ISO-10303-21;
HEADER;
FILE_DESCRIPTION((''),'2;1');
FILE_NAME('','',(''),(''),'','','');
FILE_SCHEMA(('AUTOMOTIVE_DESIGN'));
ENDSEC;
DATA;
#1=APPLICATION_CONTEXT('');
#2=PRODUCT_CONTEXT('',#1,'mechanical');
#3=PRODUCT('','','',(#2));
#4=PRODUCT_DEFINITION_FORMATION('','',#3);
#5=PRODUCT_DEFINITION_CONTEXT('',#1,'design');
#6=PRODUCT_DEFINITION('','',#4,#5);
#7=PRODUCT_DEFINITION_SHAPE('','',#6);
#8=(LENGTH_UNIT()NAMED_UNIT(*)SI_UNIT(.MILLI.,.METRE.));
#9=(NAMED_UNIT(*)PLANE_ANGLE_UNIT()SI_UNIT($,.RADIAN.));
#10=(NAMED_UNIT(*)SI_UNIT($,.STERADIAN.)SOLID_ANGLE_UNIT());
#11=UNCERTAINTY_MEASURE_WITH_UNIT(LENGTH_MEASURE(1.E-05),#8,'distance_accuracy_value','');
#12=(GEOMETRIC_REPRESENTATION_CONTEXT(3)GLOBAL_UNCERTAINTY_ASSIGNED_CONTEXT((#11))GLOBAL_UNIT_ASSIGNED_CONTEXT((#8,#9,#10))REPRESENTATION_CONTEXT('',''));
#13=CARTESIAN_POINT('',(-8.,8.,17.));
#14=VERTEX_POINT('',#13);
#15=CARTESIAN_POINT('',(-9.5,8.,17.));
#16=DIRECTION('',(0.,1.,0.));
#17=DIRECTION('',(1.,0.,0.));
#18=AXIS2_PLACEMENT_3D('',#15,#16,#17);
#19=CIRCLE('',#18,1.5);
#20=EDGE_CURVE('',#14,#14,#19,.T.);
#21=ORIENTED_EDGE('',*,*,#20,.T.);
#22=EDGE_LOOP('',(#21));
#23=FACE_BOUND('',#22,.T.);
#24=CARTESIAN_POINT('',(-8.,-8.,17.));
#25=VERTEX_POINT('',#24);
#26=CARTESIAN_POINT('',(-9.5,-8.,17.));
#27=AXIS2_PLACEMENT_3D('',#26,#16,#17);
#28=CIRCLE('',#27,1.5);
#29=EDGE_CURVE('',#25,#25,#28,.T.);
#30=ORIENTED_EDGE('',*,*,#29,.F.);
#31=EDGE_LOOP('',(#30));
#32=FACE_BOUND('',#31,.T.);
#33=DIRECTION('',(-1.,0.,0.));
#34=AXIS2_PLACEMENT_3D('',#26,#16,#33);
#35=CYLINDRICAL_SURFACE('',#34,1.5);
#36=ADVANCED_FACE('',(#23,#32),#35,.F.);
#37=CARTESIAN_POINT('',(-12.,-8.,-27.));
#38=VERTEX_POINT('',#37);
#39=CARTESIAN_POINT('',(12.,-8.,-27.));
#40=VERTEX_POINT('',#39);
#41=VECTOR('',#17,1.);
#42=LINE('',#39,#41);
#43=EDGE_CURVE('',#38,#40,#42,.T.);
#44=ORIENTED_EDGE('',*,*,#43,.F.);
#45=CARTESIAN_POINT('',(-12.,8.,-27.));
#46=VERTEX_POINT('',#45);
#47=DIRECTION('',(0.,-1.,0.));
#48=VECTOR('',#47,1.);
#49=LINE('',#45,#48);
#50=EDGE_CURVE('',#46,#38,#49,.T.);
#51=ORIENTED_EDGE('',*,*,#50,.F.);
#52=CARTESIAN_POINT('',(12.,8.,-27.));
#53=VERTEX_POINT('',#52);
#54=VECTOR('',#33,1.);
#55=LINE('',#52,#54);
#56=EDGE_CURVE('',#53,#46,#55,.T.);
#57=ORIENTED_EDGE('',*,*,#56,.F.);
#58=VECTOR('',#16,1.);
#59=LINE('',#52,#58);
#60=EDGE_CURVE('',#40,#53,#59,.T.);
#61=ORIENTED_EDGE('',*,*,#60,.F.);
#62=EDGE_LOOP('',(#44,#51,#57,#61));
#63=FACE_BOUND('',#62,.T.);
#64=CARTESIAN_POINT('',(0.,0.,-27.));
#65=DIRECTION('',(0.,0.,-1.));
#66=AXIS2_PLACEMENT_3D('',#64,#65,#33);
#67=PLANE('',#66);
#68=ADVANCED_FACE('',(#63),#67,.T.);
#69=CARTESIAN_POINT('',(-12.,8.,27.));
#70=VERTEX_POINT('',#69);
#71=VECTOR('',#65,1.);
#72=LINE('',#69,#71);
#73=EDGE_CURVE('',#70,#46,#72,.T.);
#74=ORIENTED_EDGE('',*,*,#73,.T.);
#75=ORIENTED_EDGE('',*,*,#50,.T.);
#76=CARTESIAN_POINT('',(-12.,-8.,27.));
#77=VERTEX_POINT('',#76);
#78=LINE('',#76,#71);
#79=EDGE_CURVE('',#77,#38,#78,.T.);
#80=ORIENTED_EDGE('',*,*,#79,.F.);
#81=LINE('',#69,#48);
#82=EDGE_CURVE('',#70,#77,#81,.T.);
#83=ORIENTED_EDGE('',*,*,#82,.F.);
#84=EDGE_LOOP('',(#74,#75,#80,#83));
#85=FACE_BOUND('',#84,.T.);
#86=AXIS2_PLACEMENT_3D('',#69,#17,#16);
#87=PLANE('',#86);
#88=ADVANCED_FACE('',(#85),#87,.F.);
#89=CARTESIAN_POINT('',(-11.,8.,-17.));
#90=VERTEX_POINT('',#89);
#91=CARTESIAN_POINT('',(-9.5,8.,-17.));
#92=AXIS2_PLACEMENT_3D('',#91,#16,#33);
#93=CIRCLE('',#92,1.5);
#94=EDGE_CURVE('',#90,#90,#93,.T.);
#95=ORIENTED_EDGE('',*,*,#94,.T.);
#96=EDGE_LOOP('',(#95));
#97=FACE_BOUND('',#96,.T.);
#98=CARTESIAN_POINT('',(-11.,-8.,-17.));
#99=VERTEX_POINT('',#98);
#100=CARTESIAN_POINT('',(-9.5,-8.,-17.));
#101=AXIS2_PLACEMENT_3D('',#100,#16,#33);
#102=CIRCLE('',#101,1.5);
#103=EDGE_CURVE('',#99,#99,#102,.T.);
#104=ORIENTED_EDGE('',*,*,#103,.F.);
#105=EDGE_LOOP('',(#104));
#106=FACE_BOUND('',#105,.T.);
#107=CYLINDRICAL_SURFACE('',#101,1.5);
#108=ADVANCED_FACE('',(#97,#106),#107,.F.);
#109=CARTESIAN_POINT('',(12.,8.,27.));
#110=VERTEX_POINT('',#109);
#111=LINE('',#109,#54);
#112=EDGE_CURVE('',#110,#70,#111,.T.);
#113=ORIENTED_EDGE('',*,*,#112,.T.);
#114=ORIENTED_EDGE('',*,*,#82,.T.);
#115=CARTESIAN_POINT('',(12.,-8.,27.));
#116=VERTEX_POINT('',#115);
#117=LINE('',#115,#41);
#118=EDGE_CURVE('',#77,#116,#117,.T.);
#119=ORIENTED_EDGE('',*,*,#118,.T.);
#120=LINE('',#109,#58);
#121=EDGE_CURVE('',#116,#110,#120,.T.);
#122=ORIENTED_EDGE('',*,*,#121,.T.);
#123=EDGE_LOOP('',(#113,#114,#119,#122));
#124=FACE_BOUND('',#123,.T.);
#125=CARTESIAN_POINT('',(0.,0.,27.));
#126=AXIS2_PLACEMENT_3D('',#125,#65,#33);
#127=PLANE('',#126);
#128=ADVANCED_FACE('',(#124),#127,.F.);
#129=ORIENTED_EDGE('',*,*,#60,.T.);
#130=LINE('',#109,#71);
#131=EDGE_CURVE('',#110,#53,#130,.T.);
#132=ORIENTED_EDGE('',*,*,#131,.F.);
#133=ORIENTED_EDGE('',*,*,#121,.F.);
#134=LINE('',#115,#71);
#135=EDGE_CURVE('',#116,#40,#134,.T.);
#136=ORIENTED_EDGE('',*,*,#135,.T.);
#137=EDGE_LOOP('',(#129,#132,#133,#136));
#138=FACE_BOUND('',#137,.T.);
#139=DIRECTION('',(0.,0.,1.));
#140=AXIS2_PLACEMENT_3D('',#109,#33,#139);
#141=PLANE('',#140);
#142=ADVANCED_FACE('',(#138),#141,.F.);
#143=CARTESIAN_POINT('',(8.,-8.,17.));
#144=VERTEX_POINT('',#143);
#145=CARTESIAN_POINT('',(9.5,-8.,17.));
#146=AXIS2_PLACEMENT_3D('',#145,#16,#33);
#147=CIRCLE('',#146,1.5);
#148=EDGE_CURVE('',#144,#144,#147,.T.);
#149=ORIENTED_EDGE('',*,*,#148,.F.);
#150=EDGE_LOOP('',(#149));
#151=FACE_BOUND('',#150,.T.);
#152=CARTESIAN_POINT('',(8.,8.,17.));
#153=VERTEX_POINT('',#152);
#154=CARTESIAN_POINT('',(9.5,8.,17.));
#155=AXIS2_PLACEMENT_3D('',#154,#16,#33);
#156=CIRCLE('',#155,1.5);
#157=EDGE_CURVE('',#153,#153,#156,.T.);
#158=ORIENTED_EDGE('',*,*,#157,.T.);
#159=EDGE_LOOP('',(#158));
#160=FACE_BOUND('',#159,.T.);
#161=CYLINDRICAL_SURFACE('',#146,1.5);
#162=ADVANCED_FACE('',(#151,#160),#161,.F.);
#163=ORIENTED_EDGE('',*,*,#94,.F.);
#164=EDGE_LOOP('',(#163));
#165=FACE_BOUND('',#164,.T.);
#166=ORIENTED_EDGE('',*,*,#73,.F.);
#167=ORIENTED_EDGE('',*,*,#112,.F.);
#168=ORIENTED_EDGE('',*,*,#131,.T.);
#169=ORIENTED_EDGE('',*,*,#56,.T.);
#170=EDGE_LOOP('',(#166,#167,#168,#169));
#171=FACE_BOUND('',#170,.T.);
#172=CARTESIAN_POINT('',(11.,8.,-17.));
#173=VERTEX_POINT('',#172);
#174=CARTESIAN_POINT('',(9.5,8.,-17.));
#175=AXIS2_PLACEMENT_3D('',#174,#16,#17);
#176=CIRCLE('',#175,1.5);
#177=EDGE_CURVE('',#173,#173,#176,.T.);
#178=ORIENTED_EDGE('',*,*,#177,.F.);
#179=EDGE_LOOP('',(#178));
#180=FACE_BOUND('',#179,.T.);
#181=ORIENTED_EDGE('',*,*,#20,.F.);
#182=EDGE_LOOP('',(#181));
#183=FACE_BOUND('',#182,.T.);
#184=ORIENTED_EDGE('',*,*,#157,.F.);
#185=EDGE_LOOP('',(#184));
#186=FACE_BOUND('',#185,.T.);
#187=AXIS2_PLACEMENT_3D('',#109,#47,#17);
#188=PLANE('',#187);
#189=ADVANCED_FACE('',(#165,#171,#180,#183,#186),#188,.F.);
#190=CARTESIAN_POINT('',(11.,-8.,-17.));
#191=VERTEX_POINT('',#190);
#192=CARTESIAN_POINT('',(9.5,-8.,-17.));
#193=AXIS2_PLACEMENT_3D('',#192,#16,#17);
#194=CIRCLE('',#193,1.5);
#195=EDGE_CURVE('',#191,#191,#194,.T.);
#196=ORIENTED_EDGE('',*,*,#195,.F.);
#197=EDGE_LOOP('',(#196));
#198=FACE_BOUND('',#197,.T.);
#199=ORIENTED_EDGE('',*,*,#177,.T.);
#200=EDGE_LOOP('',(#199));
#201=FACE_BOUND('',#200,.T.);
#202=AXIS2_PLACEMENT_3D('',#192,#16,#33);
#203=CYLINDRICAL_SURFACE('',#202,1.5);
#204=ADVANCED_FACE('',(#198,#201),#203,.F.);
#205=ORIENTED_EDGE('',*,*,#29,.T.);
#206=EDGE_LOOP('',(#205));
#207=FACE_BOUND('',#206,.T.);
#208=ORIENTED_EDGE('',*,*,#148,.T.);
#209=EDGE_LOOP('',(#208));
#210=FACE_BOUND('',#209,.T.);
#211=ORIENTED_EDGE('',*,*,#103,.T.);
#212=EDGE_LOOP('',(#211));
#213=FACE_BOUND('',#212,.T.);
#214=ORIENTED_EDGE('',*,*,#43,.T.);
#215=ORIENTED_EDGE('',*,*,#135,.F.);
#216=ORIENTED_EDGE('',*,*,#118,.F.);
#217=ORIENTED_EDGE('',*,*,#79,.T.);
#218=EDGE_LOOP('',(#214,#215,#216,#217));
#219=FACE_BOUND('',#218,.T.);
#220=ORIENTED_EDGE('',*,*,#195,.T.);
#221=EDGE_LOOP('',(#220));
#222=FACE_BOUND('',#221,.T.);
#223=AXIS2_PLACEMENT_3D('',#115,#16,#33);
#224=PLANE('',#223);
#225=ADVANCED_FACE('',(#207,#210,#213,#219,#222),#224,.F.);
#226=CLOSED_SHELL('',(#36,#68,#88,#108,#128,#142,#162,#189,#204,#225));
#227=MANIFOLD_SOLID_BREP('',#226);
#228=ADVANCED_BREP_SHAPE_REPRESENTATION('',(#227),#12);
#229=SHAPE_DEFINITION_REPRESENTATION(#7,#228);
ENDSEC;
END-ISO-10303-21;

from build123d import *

# Parameters (mm, degrees)
SKETCH_1_W         = 24
SKETCH_1_H         = 16
EXTRUDE_1_DEPTH    = 27
SKETCH1_R          = 1.5
CUT_EXTRUDE1_DEPTH = 34.600595233


with BuildPart() as part:
    # 草图1 → 凸台-拉伸1 (new, symmetric)
    with BuildSketch(Plane.XY):
        Rectangle(SKETCH_1_W, SKETCH_1_H)
    extrude(amount=EXTRUDE_1_DEPTH, both=True)

    # Sketch1 → Cut-Extrude1 (cut, through all)
    with BuildSketch(Plane(origin=(0, 8, 0), x_dir=(1, 0, 0), z_dir=(0, 1, 0))):
        with Locations(Location((-9.5, 17, 0), (0, 0, 180))):
            Circle(SKETCH1_R)
        with Locations((9.5, 17)):
            Circle(SKETCH1_R)
        with Locations(Location((9.5, -17, 0), (0, 0, 180))):
            Circle(SKETCH1_R)
        with Locations((-9.5, -17)):
            Circle(SKETCH1_R)
    extrude(amount=-CUT_EXTRUDE1_DEPTH, mode=Mode.SUBTRACT)


solid = part.part
